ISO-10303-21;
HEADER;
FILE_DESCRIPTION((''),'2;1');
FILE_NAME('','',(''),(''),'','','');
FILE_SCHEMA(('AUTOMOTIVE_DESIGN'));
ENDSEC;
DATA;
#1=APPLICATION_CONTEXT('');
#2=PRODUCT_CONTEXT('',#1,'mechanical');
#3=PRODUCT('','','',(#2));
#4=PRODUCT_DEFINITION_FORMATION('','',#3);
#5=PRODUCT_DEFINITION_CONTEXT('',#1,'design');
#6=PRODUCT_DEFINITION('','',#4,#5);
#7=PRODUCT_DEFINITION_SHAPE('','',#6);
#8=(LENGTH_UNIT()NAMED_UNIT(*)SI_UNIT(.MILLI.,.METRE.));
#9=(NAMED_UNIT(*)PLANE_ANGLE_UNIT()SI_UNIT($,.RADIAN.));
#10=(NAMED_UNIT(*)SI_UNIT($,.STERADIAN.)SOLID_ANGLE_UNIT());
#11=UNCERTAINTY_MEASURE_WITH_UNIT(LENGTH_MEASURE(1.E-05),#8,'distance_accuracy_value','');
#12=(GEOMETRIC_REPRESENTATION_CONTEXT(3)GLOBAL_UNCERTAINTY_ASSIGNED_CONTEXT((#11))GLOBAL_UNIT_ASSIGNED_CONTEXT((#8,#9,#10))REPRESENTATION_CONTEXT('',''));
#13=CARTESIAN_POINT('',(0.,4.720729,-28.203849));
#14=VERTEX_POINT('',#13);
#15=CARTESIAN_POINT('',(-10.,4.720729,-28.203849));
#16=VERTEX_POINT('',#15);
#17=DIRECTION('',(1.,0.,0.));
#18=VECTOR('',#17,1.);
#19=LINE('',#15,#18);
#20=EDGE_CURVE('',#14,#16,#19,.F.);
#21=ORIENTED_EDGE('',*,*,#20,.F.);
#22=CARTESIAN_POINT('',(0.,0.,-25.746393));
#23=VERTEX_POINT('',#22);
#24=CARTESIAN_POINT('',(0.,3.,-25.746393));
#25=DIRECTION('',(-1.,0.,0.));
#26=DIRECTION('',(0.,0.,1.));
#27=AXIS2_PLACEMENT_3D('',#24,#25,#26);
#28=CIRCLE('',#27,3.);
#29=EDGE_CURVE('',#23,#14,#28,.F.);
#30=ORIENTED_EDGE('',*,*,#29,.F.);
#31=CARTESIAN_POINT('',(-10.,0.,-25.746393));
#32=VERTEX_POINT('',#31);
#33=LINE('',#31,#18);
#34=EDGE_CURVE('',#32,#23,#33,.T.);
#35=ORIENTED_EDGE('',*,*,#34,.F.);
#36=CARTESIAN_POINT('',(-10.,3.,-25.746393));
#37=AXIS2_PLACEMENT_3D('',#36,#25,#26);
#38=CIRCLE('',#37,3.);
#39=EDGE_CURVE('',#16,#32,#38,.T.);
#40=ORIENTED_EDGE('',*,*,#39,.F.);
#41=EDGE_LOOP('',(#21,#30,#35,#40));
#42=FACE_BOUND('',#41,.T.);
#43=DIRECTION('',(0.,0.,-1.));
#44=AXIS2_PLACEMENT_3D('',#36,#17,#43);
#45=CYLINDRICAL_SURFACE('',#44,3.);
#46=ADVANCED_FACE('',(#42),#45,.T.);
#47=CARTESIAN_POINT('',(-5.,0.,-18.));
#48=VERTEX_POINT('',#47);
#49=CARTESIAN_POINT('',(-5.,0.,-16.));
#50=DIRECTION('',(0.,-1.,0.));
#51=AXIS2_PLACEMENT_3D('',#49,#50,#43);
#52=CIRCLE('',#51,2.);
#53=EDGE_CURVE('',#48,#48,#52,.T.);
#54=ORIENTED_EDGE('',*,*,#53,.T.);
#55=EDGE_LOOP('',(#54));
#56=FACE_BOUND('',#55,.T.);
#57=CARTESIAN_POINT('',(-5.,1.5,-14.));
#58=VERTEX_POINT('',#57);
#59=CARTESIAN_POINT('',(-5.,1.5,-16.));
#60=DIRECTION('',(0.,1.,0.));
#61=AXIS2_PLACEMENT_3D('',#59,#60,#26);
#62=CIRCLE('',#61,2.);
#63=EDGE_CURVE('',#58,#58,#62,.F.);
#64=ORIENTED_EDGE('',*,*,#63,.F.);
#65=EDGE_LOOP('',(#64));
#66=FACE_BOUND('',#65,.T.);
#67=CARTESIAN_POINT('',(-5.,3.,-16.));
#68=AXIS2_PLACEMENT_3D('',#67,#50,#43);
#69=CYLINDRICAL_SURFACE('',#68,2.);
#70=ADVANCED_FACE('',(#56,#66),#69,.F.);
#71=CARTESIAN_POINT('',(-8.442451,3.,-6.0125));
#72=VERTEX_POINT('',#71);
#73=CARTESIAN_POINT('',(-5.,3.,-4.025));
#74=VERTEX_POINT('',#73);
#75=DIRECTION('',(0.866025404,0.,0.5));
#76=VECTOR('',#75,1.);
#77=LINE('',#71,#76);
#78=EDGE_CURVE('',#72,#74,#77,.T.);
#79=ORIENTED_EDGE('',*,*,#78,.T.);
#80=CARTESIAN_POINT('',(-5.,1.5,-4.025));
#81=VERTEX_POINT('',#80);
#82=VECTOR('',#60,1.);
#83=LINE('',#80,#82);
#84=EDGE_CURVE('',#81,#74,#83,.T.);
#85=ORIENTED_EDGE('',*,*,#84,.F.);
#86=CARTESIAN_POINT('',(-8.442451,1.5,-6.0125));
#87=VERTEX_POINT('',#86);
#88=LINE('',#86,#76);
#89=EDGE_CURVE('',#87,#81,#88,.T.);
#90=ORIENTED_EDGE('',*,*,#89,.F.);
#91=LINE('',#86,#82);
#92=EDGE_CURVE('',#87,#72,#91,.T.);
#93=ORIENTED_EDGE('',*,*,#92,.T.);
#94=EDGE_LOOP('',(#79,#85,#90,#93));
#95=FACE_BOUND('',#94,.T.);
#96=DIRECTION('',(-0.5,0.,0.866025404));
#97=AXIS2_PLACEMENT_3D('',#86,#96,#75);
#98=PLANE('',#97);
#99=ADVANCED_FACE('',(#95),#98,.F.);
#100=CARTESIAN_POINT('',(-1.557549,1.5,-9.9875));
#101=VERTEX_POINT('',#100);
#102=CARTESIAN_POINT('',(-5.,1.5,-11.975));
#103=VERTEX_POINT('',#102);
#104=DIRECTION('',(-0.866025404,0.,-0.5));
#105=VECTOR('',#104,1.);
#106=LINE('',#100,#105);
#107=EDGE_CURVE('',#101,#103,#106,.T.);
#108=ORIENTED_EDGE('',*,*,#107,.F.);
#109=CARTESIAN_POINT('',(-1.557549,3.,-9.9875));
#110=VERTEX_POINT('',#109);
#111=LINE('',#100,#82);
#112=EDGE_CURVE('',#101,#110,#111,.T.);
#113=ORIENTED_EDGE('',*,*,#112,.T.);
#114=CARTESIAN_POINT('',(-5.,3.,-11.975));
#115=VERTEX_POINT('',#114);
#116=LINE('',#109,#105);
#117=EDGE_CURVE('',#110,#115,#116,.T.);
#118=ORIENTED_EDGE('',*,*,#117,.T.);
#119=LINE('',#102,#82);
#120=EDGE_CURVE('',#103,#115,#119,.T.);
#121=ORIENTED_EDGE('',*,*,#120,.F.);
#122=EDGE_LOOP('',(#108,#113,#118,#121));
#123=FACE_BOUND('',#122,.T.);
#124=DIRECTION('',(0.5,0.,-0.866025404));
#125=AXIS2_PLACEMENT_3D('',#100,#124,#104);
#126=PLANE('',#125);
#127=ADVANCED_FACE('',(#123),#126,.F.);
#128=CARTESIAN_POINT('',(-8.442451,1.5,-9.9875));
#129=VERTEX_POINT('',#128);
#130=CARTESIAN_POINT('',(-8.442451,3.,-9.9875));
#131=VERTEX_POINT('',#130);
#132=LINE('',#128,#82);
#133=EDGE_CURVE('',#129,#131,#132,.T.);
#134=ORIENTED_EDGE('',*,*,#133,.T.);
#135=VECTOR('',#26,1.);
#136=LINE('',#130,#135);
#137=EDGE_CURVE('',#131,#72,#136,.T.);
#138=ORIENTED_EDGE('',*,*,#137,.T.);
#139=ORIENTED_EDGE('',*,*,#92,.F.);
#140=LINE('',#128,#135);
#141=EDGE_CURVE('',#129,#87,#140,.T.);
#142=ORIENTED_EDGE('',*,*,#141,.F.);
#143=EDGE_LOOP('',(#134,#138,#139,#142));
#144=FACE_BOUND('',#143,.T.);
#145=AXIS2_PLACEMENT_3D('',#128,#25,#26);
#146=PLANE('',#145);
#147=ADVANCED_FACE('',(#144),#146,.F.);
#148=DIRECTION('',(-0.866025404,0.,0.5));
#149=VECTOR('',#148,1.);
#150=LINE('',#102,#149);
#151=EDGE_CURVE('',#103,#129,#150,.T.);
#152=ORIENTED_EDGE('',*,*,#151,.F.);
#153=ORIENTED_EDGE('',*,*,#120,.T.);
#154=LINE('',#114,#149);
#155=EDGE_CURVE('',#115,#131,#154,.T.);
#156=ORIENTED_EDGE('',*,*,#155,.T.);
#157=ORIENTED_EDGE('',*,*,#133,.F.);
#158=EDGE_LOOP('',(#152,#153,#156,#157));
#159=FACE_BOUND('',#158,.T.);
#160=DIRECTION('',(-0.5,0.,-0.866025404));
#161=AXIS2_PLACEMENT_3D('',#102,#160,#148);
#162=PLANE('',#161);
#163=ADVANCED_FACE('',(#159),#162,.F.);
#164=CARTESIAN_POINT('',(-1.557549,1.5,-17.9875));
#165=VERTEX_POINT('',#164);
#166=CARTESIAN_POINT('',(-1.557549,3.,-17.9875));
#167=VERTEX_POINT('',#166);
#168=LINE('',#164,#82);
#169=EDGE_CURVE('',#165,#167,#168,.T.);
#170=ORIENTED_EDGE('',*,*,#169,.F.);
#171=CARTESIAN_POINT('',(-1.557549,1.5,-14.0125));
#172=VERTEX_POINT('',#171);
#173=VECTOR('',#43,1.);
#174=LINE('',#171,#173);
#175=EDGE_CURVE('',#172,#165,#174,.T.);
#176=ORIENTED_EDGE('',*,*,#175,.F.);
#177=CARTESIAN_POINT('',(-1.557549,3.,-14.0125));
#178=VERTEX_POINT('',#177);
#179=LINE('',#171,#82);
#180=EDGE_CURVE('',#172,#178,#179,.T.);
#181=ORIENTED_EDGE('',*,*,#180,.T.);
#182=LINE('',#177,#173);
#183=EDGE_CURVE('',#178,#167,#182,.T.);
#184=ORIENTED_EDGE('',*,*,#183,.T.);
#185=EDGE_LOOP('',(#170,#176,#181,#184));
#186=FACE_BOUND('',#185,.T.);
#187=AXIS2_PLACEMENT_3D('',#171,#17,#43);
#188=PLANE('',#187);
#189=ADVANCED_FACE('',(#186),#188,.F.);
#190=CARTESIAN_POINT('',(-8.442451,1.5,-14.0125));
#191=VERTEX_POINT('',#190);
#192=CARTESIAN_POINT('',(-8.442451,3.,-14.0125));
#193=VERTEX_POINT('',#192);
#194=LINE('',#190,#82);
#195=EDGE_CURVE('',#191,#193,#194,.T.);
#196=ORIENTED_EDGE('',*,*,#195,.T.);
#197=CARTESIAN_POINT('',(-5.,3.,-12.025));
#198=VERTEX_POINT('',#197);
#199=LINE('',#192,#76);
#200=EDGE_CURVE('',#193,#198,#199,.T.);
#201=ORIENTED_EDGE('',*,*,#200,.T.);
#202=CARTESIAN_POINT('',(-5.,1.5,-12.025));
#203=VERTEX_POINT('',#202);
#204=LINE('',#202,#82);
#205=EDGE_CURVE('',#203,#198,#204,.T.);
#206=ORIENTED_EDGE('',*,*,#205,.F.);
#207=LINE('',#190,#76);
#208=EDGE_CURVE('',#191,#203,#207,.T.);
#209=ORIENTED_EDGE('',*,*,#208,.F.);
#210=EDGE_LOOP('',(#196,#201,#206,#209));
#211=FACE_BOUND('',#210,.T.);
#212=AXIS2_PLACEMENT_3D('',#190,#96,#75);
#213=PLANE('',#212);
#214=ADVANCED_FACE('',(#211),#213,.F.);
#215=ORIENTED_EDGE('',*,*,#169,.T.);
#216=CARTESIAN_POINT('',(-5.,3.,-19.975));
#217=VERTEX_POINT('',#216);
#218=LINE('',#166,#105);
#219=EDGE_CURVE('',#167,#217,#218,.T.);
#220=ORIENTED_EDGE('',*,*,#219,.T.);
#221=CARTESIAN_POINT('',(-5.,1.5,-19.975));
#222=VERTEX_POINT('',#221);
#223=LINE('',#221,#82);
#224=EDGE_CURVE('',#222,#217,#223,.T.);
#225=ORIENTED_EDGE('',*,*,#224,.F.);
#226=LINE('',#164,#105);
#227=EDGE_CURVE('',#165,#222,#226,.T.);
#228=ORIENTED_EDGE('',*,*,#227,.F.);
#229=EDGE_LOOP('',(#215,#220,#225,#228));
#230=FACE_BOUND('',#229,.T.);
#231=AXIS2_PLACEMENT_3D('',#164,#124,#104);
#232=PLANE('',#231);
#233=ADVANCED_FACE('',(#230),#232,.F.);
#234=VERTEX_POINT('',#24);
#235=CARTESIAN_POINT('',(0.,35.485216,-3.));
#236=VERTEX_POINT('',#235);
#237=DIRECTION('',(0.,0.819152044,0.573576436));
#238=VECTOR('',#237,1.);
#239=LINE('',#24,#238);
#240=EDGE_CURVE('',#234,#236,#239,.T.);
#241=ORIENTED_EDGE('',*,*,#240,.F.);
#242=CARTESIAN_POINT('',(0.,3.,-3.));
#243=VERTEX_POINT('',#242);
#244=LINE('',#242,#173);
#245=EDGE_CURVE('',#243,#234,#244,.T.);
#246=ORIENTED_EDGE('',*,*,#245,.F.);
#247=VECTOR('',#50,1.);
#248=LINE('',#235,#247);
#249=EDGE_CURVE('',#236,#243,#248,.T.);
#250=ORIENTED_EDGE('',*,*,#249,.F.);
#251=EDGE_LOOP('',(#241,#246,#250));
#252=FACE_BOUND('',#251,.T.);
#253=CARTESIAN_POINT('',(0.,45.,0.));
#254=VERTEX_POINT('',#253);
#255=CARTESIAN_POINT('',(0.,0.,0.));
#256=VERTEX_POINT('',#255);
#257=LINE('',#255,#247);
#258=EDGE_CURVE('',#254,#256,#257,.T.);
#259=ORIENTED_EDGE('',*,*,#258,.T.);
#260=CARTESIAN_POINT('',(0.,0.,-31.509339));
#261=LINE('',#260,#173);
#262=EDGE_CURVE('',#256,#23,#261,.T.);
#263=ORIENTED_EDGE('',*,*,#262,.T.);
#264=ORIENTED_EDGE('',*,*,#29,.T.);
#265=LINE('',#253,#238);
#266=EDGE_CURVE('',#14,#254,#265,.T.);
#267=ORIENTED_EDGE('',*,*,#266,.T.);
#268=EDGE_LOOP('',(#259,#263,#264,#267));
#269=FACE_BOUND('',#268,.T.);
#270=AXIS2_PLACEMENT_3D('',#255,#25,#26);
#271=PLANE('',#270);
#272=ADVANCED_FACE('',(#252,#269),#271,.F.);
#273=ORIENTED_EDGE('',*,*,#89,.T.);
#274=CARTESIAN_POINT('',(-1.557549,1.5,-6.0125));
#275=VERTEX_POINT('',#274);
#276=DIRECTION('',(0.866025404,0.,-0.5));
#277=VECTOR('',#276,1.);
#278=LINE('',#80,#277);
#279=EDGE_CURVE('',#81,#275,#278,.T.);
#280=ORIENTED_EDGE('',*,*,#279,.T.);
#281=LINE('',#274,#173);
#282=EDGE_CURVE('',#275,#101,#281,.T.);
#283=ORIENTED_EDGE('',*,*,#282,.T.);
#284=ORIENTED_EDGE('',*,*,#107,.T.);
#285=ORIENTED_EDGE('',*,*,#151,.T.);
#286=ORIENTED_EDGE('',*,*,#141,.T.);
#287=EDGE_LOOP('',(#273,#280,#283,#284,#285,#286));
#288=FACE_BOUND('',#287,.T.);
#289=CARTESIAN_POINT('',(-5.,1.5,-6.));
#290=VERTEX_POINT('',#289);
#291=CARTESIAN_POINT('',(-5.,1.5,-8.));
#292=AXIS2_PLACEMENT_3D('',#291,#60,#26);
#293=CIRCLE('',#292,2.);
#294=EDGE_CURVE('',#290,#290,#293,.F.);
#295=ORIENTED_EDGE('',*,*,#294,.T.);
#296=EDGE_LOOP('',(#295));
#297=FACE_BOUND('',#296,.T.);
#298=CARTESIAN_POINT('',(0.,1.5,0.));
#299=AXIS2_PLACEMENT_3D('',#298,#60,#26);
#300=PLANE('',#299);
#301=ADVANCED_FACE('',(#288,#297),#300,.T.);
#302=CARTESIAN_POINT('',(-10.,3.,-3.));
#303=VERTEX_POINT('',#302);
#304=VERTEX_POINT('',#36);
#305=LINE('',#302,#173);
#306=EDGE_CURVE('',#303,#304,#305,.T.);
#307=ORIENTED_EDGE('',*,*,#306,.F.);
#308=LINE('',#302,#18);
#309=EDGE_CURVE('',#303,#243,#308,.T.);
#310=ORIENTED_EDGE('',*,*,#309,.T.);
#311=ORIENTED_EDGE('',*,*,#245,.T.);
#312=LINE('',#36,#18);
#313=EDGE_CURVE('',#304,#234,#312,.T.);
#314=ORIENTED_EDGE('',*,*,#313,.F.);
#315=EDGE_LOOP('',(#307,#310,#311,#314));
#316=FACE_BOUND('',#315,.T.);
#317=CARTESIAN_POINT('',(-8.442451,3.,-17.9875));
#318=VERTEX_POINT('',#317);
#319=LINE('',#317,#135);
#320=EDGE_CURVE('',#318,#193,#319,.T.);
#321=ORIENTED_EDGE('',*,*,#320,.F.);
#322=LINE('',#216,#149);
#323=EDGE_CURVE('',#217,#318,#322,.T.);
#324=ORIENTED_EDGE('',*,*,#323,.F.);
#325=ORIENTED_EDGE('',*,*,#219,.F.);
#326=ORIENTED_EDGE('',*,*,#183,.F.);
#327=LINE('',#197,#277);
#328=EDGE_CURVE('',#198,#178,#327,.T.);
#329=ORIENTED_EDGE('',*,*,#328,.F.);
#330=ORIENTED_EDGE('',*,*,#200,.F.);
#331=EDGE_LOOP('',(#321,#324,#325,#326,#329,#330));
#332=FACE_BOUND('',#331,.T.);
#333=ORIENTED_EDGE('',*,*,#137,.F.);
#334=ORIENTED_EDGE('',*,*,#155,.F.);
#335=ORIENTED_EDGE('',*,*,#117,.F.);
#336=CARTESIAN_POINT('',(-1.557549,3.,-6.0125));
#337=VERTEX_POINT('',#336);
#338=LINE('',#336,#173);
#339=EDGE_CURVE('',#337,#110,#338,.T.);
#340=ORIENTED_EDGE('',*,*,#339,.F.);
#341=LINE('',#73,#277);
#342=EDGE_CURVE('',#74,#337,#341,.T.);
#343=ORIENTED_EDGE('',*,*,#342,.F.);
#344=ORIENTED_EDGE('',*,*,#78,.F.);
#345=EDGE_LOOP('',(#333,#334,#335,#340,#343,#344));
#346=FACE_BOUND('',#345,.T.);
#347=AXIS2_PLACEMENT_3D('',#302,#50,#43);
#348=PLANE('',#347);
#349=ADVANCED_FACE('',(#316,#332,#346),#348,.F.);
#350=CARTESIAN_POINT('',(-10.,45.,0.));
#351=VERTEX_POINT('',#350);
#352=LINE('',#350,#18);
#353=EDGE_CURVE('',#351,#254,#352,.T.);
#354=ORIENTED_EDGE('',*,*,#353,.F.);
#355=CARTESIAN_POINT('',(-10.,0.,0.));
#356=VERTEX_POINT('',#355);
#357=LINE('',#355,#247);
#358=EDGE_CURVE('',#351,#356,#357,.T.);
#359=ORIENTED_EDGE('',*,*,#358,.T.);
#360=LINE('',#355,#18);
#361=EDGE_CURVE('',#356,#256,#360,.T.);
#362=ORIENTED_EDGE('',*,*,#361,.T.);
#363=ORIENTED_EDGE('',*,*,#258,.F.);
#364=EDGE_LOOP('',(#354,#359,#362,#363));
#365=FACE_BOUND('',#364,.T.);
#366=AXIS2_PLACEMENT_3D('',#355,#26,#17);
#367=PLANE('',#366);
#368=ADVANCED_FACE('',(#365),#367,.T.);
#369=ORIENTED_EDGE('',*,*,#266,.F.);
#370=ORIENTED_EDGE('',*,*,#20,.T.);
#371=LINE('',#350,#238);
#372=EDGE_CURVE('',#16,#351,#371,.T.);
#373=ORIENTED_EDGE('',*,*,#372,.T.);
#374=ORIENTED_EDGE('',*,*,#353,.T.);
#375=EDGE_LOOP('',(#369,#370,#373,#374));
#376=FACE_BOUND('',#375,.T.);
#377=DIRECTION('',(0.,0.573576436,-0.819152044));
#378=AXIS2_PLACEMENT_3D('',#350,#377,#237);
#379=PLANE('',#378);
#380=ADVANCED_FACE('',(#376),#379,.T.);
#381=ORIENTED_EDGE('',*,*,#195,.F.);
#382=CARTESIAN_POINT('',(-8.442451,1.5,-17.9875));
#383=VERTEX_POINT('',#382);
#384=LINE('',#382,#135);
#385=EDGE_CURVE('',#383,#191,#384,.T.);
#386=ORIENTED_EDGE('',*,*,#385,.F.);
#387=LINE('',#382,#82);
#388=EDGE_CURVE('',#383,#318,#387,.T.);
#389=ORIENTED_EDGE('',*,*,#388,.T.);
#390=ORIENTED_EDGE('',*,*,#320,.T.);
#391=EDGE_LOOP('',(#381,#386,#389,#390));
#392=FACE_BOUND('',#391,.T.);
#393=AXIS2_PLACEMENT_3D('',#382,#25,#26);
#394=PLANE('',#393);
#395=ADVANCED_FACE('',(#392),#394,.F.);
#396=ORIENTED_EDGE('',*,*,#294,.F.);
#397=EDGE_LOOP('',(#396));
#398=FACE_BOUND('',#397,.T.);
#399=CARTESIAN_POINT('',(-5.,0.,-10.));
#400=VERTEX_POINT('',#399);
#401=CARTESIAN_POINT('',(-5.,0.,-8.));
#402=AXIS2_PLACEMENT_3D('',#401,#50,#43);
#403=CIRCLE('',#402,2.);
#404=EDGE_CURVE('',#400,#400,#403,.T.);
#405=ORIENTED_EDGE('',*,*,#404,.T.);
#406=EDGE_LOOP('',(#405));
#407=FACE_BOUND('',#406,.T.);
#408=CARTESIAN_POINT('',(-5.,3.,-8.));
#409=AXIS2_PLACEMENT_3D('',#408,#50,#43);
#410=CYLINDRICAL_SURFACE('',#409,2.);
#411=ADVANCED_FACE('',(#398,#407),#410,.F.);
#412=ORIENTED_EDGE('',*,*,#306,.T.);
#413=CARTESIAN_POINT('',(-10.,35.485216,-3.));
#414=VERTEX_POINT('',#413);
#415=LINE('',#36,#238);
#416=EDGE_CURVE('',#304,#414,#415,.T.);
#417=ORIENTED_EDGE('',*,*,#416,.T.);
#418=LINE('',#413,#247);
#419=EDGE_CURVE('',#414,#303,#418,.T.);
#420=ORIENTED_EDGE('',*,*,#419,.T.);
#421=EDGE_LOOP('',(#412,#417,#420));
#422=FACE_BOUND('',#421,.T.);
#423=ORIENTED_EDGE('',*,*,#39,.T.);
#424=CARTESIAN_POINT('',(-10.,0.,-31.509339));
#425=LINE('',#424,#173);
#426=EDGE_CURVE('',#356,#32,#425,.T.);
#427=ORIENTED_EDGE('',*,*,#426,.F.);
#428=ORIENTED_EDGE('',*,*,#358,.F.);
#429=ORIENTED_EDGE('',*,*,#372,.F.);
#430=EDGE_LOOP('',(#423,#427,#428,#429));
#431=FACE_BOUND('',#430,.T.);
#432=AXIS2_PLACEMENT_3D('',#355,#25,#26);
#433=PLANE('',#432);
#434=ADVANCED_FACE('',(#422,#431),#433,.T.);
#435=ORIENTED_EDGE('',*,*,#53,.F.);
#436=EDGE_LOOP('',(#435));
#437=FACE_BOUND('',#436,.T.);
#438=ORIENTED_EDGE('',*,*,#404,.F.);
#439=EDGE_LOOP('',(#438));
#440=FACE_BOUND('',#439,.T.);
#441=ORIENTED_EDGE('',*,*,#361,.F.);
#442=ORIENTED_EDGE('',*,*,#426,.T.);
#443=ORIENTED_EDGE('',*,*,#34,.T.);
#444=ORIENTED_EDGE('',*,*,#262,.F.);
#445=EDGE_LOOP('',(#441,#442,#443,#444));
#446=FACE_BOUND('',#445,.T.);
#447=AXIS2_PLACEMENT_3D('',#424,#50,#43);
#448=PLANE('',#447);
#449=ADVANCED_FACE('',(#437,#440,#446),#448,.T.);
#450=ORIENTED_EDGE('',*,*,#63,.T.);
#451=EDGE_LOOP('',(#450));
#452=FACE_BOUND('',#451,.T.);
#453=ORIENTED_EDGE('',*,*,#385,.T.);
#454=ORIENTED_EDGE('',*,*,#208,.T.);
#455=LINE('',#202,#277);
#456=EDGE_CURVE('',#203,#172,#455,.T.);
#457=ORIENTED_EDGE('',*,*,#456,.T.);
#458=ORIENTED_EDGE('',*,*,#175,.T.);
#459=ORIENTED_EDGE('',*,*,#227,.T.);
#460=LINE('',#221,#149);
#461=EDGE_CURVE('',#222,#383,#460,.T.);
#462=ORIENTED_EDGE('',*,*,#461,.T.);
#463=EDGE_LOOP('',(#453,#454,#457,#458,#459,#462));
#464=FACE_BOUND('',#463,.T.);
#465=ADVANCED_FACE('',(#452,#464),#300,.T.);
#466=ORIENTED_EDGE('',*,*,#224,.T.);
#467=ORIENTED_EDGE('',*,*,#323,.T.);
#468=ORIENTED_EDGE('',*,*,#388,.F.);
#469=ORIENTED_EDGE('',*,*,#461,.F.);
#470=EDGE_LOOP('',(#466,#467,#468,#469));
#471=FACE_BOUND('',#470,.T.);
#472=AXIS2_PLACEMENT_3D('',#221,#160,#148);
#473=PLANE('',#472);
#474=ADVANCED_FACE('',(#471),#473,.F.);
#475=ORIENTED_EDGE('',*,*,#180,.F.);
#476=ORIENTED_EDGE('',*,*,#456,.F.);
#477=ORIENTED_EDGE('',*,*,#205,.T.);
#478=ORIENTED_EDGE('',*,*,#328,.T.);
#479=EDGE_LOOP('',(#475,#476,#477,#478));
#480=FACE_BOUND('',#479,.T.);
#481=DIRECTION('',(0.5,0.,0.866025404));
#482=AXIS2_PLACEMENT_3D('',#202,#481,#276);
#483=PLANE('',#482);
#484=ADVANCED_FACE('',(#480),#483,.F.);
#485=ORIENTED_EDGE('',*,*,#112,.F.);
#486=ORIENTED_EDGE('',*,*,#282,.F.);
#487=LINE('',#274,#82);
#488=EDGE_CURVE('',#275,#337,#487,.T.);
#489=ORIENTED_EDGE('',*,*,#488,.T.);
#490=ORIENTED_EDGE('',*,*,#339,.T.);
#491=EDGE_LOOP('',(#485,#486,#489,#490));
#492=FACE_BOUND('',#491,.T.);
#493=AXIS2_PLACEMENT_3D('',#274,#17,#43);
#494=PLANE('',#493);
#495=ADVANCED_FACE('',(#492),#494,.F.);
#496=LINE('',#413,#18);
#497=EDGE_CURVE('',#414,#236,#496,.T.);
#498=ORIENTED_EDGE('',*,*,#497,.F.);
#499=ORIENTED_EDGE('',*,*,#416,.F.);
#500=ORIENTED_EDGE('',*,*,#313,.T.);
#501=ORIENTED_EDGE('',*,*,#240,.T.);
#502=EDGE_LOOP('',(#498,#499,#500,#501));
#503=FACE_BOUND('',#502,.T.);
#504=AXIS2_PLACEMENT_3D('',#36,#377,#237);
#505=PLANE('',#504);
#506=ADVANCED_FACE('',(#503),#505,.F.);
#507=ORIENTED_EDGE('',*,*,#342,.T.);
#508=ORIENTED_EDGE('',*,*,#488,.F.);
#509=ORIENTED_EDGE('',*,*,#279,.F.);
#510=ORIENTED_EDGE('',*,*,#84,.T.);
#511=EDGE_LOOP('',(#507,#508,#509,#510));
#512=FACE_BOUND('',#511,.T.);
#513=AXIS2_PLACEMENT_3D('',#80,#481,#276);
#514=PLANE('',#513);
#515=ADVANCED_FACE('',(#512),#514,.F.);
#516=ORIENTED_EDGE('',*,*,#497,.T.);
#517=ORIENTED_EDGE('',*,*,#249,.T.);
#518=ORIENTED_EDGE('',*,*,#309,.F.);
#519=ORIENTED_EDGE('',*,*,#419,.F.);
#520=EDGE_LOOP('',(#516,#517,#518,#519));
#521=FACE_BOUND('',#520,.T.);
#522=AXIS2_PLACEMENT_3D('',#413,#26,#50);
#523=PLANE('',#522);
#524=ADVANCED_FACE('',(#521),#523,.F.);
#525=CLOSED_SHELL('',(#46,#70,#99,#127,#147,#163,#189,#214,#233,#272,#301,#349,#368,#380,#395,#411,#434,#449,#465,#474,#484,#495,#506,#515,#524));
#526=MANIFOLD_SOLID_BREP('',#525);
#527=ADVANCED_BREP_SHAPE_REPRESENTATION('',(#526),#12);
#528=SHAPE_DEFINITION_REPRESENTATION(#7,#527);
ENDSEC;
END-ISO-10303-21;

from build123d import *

# Parameters (mm, degrees)
BOSS_EXTRUDE1_DEPTH = 10
CUT_EXTRUDE1_DEPTH  = 56.837607918
SKETCH3_R           = 2
CUT_EXTRUDE2_DEPTH  = 3
CUT_EXTRUDE3_DEPTH  = 1.5
FILLET1_R           = 3


with BuildPart() as part:
    # Sketch1 → Boss-Extrude1 (new body)
    with BuildSketch(Plane(origin=(0, 0, 0), x_dir=(0, 0, -1), z_dir=(1, 0, 0))):
        Polygon((0, 0), (0, 45), (31.509339219, 0), align=None)
    extrude(amount=-BOSS_EXTRUDE1_DEPTH)

    # Sketch2 → Cut-Extrude1 (cut, through all)
    with BuildSketch(Plane(origin=(0, 0, 0), x_dir=(0, 0, -1), z_dir=(1, 0, 0))):
        Polygon((25.746392839, 3), (3, 35.485215593), (3, 3), align=None)
    extrude(amount=-CUT_EXTRUDE1_DEPTH, mode=Mode.SUBTRACT)

    # Sketch3 → Cut-Extrude2 (cut)
    with BuildSketch(Plane.XZ):
        with Locations(Location((-5, -8, 0), (0, 0, 270))):
            Circle(SKETCH3_R)
        with Locations(Location((-5, -16, 0), (0, 0, 270))):
            Circle(SKETCH3_R)
    extrude(amount=-CUT_EXTRUDE2_DEPTH, mode=Mode.SUBTRACT)

    # Sketch4 → Cut-Extrude3 (cut)
    with BuildSketch(Plane(origin=(0, 3, 0), x_dir=(1, 0, 0), z_dir=(0, 1, 0))):
        Polygon((-5, 12.025), (-1.55754902, 14.0125), (-1.55754902, 17.9875), (-5, 19.975), (-8.44245098, 17.9875), (-8.44245098, 14.0125), align=None)
        Polygon((-5, 11.975), (-8.44245098, 9.9875), (-8.44245098, 6.0125), (-5, 4.025), (-1.55754902, 6.0125), (-1.55754902, 9.9875), align=None)
    extrude(amount=-CUT_EXTRUDE3_DEPTH, mode=Mode.SUBTRACT)

    # Fillet1
    fillet1_edges = [part.edges().sort_by_distance(p)[0] for p in [
        (-5, 0, -31.509339219),
    ]]
    fillet(fillet1_edges, radius=FILLET1_R)


solid = part.part
